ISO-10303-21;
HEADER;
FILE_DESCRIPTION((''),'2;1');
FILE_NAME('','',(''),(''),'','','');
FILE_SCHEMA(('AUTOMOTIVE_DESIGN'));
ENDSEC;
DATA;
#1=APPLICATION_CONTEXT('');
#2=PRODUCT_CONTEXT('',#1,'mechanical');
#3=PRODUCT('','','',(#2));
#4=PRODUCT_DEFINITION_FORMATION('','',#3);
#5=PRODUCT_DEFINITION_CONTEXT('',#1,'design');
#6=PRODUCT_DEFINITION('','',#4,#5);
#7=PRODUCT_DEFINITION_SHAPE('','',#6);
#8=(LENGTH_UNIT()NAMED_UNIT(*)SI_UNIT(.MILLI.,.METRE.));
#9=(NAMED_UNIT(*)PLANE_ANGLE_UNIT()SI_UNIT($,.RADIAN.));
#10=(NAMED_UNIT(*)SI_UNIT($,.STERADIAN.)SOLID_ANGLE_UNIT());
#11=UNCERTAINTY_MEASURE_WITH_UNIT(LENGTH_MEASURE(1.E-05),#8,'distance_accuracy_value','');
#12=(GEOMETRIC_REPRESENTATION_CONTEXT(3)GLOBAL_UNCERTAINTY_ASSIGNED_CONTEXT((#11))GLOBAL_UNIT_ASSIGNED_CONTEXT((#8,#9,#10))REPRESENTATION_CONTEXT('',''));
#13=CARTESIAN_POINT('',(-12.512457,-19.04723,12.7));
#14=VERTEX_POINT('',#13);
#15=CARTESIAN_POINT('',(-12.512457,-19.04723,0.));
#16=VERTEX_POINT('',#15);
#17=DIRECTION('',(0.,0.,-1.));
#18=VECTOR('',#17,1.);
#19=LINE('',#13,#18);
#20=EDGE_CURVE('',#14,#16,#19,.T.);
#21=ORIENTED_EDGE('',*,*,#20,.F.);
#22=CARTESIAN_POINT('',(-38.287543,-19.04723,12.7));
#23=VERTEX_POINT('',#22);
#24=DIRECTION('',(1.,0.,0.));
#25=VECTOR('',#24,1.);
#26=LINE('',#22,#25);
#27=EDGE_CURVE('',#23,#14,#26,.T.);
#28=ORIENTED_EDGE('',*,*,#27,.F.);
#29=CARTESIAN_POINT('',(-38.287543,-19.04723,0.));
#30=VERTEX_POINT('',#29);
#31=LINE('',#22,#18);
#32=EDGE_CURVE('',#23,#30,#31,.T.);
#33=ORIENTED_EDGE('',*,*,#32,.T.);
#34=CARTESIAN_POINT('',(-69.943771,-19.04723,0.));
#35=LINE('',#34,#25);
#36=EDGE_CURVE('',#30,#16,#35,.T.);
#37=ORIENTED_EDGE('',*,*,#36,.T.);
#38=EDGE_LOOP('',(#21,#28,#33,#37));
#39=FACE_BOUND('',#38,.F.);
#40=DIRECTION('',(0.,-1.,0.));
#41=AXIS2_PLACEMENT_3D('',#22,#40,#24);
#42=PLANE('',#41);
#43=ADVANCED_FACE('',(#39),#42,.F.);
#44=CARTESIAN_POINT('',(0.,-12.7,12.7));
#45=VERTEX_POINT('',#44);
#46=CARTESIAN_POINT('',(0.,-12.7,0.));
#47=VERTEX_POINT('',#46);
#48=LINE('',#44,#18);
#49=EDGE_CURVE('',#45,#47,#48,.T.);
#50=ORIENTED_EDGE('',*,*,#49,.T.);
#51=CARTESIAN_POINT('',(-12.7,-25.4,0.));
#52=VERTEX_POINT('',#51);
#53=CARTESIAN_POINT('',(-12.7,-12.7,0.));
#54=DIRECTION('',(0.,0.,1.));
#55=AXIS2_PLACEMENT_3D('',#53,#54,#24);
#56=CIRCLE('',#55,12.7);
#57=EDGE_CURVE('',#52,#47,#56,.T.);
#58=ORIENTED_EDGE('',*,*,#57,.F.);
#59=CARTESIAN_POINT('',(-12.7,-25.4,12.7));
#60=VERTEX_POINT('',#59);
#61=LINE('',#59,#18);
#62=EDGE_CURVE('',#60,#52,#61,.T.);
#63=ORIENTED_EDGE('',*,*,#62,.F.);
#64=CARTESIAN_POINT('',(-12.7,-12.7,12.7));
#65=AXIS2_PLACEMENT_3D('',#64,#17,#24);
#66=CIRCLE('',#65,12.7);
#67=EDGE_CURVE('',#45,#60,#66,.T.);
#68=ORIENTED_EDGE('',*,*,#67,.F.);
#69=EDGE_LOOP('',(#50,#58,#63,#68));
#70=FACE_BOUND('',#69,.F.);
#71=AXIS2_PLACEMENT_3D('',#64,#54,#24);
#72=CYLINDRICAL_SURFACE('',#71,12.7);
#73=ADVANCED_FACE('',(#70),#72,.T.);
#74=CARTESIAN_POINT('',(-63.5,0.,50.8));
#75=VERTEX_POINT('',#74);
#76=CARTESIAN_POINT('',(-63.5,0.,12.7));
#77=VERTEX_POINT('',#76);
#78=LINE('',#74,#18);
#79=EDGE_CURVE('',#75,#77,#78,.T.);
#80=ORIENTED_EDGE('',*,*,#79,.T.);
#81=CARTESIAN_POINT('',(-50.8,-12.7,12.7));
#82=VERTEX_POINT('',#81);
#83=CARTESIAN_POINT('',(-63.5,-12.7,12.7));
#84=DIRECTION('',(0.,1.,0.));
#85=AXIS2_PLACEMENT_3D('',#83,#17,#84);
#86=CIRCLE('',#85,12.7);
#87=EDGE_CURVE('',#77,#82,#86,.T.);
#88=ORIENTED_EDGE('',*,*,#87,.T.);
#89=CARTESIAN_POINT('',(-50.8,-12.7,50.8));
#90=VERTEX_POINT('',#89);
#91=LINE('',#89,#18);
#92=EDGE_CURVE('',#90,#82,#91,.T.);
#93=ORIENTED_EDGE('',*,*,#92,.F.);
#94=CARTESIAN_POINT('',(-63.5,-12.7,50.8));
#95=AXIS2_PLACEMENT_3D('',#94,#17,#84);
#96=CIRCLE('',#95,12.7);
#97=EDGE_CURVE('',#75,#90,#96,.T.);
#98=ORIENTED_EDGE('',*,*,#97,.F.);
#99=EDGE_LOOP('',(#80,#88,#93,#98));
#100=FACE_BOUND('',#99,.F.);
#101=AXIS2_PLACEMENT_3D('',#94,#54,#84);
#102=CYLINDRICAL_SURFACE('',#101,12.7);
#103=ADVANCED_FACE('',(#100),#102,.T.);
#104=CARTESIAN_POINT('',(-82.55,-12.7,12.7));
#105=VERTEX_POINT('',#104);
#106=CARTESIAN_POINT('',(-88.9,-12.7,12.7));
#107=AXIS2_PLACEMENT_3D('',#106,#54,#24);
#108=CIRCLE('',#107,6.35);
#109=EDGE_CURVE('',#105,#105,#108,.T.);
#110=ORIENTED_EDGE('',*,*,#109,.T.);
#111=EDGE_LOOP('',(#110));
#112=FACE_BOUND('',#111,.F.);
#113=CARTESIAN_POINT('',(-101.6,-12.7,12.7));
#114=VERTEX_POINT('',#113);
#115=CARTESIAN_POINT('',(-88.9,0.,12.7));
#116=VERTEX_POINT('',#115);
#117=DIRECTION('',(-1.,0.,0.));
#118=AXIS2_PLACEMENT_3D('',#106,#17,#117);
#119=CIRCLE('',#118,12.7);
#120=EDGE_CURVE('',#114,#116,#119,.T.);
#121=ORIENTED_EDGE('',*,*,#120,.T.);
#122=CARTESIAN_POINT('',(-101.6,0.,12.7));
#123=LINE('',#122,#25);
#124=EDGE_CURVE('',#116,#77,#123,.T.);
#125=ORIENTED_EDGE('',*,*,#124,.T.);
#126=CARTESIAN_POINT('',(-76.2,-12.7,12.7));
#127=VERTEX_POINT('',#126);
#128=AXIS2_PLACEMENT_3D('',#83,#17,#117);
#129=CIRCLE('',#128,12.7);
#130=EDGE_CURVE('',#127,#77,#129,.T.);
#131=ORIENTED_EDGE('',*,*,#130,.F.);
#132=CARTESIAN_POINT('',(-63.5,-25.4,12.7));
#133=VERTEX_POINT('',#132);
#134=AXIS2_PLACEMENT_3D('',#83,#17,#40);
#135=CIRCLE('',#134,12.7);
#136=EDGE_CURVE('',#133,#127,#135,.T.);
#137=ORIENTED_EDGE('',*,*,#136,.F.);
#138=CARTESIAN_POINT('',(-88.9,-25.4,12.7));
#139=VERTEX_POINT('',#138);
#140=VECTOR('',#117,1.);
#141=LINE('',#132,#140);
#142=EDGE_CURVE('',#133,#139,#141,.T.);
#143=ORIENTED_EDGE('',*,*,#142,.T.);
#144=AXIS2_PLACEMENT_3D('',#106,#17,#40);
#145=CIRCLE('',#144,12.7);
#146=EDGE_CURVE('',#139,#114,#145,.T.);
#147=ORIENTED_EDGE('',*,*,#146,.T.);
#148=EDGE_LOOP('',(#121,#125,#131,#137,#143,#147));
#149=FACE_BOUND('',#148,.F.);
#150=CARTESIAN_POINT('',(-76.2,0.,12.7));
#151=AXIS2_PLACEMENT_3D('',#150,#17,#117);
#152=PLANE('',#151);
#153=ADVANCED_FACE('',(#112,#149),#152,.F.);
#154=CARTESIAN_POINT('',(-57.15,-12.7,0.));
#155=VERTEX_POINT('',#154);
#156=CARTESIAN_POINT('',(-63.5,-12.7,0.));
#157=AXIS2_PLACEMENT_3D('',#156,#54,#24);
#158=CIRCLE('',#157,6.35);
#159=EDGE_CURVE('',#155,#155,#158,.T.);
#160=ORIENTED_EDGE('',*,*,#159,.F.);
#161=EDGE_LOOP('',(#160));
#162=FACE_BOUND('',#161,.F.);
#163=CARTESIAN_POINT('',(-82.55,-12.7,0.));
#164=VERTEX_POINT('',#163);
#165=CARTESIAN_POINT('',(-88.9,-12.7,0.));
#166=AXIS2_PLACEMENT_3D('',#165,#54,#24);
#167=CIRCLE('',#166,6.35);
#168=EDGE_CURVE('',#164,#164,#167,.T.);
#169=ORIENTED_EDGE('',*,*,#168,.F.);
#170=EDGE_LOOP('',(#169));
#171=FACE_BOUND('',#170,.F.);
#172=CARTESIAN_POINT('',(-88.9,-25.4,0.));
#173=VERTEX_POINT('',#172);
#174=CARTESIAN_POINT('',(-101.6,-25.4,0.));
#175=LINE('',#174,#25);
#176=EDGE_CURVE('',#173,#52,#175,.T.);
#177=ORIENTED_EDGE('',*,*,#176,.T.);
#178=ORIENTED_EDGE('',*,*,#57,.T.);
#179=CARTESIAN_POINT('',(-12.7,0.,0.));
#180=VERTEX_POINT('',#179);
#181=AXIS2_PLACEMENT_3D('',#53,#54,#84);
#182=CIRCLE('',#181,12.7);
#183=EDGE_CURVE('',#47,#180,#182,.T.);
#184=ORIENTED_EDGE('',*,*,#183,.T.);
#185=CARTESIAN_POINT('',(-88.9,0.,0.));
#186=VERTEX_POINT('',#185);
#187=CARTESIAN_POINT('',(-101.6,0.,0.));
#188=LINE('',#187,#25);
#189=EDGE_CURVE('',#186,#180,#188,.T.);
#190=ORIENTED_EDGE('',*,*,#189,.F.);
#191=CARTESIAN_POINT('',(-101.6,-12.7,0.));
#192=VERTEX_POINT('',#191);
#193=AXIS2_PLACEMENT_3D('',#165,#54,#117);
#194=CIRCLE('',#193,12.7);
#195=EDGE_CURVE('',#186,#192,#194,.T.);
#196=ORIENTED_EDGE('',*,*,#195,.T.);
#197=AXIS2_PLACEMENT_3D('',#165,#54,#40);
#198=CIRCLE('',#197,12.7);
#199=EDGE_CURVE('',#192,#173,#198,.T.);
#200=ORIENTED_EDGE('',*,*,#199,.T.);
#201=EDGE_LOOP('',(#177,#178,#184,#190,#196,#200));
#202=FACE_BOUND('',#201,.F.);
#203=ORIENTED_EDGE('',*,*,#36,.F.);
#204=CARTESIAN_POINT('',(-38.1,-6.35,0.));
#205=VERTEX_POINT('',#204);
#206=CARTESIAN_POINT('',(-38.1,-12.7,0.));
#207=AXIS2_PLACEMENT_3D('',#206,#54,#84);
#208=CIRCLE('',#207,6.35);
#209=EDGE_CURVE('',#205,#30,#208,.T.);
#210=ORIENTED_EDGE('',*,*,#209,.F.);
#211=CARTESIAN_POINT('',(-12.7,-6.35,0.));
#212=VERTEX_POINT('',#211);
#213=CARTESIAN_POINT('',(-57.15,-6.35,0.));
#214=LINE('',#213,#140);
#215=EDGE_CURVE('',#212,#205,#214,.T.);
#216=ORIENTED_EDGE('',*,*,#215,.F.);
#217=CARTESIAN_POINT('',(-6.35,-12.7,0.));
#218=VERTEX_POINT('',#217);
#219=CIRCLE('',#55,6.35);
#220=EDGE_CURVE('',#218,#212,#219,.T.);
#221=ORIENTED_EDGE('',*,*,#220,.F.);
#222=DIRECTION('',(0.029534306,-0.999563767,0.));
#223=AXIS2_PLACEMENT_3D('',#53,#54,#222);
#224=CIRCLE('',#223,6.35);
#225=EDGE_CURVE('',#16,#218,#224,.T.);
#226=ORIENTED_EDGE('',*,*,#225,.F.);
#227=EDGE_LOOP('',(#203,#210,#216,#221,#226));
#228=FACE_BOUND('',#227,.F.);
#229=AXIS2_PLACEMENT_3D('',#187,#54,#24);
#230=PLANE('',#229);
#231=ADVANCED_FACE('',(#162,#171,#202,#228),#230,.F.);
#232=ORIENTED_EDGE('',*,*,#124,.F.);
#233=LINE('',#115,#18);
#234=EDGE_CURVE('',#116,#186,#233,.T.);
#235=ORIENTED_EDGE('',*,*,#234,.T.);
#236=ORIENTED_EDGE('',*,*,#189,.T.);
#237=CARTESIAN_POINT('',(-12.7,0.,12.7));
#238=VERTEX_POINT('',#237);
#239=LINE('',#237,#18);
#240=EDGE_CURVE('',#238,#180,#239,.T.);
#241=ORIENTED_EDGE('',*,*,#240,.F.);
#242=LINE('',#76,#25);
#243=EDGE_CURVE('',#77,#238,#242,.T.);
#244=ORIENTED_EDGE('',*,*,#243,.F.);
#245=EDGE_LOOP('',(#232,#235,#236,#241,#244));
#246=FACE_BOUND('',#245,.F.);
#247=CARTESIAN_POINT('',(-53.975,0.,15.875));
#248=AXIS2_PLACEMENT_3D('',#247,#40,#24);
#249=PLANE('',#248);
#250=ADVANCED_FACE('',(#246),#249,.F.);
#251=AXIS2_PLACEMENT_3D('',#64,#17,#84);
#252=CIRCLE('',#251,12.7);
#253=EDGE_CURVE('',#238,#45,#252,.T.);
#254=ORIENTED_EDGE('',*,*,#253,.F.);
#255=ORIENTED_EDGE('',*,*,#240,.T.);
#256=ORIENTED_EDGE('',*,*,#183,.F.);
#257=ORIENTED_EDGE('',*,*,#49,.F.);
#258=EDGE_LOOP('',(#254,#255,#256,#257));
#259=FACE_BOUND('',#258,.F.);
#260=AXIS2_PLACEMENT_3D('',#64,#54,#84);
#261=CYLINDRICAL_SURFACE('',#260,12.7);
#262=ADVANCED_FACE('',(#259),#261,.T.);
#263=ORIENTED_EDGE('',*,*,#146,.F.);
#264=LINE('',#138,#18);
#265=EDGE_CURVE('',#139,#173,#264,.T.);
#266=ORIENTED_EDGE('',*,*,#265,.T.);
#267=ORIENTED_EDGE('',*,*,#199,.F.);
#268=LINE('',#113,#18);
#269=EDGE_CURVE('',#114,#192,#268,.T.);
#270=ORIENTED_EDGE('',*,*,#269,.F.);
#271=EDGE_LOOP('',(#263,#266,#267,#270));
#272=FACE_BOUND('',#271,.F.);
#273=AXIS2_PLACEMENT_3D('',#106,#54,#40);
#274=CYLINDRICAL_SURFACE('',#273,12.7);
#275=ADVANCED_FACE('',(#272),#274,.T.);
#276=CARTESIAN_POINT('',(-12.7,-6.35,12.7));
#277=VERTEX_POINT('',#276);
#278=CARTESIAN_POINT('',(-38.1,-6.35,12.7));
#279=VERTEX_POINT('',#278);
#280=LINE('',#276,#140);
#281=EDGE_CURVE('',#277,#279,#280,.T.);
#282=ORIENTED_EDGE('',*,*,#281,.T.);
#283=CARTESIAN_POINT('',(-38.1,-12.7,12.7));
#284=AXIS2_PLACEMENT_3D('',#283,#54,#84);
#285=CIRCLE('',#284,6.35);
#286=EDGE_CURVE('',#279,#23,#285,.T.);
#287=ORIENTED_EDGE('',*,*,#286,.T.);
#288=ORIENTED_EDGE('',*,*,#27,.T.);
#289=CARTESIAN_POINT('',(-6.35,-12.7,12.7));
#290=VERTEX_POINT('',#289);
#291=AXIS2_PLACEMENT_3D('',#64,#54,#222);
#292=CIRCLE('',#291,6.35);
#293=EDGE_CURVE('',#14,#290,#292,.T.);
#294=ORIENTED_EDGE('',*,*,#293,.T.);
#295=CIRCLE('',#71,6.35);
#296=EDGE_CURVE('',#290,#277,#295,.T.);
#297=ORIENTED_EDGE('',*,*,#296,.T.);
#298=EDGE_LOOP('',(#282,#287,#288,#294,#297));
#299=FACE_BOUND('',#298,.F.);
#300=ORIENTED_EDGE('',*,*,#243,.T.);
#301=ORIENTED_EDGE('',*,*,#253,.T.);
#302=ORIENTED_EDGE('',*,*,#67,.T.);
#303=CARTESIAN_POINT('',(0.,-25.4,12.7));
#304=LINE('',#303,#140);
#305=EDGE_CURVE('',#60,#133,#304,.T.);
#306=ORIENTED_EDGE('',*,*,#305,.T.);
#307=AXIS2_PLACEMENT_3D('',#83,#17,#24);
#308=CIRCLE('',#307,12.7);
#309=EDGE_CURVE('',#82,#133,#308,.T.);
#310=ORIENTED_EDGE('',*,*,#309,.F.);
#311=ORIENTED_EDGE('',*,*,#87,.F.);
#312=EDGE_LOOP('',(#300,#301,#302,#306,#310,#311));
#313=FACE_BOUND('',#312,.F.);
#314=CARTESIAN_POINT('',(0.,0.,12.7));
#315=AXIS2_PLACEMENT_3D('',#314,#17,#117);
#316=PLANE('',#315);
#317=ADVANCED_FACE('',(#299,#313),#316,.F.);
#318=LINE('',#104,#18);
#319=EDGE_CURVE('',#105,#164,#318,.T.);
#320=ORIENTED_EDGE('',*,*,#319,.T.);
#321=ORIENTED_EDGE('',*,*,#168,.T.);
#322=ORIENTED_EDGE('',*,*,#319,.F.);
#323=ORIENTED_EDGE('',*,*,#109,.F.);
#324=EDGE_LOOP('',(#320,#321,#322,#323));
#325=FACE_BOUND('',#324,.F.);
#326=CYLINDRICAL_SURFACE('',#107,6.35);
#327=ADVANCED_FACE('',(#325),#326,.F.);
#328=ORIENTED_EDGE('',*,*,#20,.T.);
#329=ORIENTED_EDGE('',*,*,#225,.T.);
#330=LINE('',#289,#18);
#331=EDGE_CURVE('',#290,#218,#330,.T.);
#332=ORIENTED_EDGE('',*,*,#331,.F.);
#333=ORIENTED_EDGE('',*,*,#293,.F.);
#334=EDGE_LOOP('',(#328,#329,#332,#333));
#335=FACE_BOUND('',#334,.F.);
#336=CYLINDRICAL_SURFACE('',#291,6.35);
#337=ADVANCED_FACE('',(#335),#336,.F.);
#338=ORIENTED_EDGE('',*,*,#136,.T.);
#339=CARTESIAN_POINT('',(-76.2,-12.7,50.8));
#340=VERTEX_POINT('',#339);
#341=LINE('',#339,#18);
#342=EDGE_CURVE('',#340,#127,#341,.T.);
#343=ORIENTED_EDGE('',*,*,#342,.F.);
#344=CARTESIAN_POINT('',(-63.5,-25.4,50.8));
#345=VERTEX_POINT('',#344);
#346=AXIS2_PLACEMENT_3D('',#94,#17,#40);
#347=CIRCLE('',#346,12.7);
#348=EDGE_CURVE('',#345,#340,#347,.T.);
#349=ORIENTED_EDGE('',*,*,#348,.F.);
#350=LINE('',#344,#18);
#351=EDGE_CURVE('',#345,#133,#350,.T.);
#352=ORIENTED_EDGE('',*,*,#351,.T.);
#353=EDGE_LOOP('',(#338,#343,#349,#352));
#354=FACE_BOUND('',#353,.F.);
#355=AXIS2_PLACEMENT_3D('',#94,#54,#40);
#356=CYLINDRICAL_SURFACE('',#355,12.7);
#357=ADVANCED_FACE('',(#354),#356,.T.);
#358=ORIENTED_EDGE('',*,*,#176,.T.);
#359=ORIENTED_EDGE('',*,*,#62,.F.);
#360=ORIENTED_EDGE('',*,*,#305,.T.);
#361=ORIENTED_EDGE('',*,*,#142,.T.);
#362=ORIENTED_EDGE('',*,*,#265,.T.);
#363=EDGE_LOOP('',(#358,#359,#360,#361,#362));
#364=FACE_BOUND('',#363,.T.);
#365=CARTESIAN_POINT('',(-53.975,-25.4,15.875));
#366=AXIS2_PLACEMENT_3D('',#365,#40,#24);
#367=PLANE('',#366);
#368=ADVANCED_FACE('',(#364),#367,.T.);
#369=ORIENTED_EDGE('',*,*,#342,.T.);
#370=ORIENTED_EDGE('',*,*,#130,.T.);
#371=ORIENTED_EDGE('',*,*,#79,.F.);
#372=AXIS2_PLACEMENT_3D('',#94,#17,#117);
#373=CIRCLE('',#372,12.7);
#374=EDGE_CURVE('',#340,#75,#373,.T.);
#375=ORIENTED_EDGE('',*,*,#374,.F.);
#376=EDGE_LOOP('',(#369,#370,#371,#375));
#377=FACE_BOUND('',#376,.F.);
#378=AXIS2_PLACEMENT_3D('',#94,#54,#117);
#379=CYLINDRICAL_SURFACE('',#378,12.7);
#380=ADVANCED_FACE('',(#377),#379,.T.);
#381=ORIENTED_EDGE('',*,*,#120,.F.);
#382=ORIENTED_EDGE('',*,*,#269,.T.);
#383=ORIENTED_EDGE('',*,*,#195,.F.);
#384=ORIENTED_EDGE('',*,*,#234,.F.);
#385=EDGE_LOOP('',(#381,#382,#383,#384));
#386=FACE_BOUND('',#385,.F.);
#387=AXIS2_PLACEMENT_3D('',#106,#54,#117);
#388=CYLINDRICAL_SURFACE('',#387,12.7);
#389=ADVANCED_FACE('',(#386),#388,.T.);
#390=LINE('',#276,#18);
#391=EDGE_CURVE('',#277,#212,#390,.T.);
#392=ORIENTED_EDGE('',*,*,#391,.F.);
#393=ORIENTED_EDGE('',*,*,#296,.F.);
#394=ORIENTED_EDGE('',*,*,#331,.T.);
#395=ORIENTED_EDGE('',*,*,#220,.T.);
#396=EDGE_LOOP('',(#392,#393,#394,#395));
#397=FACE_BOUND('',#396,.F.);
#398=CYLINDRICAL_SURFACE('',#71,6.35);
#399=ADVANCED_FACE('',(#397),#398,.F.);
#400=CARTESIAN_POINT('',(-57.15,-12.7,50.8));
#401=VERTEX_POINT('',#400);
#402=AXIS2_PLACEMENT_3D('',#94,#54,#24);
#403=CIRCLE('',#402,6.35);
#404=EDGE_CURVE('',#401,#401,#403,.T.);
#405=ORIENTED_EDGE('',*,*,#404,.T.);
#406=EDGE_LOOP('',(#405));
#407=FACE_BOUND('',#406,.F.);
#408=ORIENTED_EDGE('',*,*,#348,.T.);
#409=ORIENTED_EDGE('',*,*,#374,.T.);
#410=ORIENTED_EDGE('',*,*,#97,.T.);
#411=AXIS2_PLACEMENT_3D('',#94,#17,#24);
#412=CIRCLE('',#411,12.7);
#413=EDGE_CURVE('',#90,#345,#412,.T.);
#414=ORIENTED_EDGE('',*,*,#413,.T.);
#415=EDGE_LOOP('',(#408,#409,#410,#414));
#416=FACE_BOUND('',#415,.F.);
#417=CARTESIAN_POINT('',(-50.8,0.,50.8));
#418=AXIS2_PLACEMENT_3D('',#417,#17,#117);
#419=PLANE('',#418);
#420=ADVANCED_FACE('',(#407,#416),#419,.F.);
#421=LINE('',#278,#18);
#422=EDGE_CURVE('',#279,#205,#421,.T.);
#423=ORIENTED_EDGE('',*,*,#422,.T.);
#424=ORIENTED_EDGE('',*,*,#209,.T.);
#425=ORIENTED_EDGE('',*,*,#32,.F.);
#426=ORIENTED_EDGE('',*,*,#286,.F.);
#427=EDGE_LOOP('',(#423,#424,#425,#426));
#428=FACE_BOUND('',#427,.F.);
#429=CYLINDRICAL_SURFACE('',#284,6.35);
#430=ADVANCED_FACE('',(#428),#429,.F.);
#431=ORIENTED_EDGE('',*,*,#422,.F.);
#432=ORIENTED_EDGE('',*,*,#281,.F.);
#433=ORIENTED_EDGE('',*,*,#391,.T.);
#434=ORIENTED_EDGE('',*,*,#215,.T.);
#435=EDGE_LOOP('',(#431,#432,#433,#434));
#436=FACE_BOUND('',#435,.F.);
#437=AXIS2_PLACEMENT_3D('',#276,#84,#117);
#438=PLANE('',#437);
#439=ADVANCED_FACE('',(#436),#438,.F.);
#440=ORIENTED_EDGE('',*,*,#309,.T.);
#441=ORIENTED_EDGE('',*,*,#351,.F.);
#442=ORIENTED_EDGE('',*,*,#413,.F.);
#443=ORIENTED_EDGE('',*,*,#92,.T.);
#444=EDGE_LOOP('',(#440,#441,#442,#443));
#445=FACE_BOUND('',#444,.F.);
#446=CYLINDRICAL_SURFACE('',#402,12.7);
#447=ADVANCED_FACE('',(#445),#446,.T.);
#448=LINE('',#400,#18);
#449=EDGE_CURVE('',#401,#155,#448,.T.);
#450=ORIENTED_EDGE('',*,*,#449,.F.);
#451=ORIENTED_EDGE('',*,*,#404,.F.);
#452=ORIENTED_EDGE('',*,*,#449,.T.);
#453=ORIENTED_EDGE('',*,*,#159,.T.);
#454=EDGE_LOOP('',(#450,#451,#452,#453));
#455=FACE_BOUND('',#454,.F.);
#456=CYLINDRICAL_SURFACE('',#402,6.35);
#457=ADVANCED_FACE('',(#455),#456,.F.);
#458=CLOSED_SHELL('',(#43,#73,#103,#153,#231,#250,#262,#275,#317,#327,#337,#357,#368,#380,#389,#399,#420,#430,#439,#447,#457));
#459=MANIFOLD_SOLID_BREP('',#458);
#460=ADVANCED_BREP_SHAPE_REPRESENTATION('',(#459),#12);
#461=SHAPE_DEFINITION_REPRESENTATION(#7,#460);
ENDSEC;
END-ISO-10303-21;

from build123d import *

# Parameters (mm, degrees)
F1_DEPTH  = 25.4
F3_DEPTH  = 38.1
F4_R      = 6.35
F5_DEPTH  = 63.5
F6_R      = 6.35
F7_DEPTH  = 25.4
F9_DEPTH  = 25.4
F11_DEPTH = 25.4
F13_DEPTH = 25.4


with BuildPart() as f1:
    # F0 (on Front) → F1 (new body)
    with BuildSketch(Plane.XZ):
        Polygon((-101.6, 0), (0, 0), (0, 12.7), (-50.8, 12.7), (-50.8, 50.8), (-76.2, 50.8), (-76.2, 12.7), (-101.6, 12.7), align=None)
    extrude(amount=F1_DEPTH)

    # F2 (on face) → F3 (cut)
    with BuildSketch(Plane.XY.offset(50.8)):
        with BuildLine():
            ThreePointArc((-63.5, 0), (-54.5197438789, -3.7197438789), (-50.8, -12.7))
            Line((-50.8, -12.7), (-50.8, 0))
            Line((-50.8, 0), (-63.5, 0))
        make_face()
        with BuildLine():
            ThreePointArc((-76.2, -12.7), (-72.4802561211, -3.7197438789), (-63.5, 0))
            Line((-63.5, 0), (-76.2, 0))
            Line((-76.2, 0), (-76.2, -12.7))
        make_face()
        with BuildLine():
            Line((-76.2, -25.4), (-63.5, -25.4))
            ThreePointArc((-63.5, -25.4), (-72.4802561211, -21.6802561211), (-76.2, -12.7))
            Line((-76.2, -12.7), (-76.2, -25.4))
        make_face()
        with BuildLine():
            Line((-50.8, -25.4), (-50.8, -12.7))
            ThreePointArc((-50.8, -12.7), (-54.5197438789, -21.6802561211), (-63.5, -25.4))
            Line((-63.5, -25.4), (-50.8, -25.4))
        make_face()
    extrude(amount=-F3_DEPTH, mode=Mode.SUBTRACT)

    # F4 (on face) → F5 (cut)
    with BuildSketch(Plane.XY.offset(50.8)):
        with Locations((-63.5, -12.7)):
            Circle(F4_R)
    extrude(amount=-F5_DEPTH, mode=Mode.SUBTRACT)

    # F6 (on face) → F7 (cut)
    with BuildSketch(Plane.XY.offset(12.7)):
        with Locations((-88.9, -12.7)):
            Circle(F6_R)
    extrude(amount=-F7_DEPTH, mode=Mode.SUBTRACT)

    # F8 (on face) → F9 (cut)
    with BuildSketch(Plane.XY.offset(12.7)):
        with BuildLine():
            ThreePointArc((-101.6, -12.7), (-97.8802561211, -3.7197438789), (-88.9, 0))
            Line((-88.9, 0), (-101.6, 0))
            Line((-101.6, 0), (-101.6, -12.7))
        make_face()
        with BuildLine():
            Line((-101.6, -25.4), (-88.9, -25.4))
            ThreePointArc((-88.9, -25.4), (-97.8802561211, -21.6802561211), (-101.6, -12.7))
            Line((-101.6, -12.7), (-101.6, -25.4))
        make_face()
    extrude(amount=-F9_DEPTH, mode=Mode.SUBTRACT)

    # F10 (on face) → F11 (cut)
    with BuildSketch(Plane.XY.offset(12.7)):
        with BuildLine():
            ThreePointArc((-37.9124571555, -19.0472299219), (-33.5440480104, -17.1233247076), (-31.75, -12.7))
            ThreePointArc((-31.75, -12.7), (-33.6098719395, -8.2098719395), (-38.1, -6.35))
            ThreePointArc((-38.1, -6.35), (-44.4493074427, -12.6062183495), (-38.2875428445, -19.0472299219))
            Line((-38.2875428445, -19.0472299219), (-37.9124571555, -19.0472299219))
        make_face()
        with BuildLine():
            ThreePointArc((-38.1, -6.35), (-33.6098719395, -8.2098719395), (-31.75, -12.7))
            ThreePointArc((-31.75, -12.7), (-33.5440480104, -17.1233247076), (-37.9124571555, -19.0472299219))
            Line((-37.9124571555, -19.0472299219), (-12.8875428445, -19.0472299219))
            ThreePointArc((-12.8875428445, -19.0472299219), (-19.0493074427, -12.6062183495), (-12.7, -6.35))
            Line((-12.7, -6.35), (-38.1, -6.35))
        make_face()
        with BuildLine():
            ThreePointArc((-6.35, -12.7), (-8.2098719395, -8.2098719395), (-12.7, -6.35))
            ThreePointArc((-12.7, -6.35), (-19.0493074427, -12.6062183495), (-12.8875428445, -19.0472299219))
            Line((-12.8875428445, -19.0472299219), (-12.5124571555, -19.0472299219))
            ThreePointArc((-12.5124571555, -19.0472299219), (-8.1440480104, -17.1233247076), (-6.35, -12.7))
        make_face()
    extrude(amount=-F11_DEPTH, mode=Mode.SUBTRACT)

    # F12 (on face) → F13 (cut)
    with BuildSketch(Plane.XY.offset(12.7)):
        with BuildLine():
            ThreePointArc((-12.7, 0), (-3.7197438789, -3.7197438789), (0, -12.7))
            Line((0, -12.7), (0, 0))
            Line((0, 0), (-12.7, 0))
        make_face()
        with BuildLine():
            Line((0, -25.4), (0, -12.7))
            ThreePointArc((0, -12.7), (-3.7197438896, -21.6802561317), (-12.7000000301, -25.4))
            Line((-12.7000000301, -25.4), (0, -25.4))
        make_face()
    extrude(amount=-F13_DEPTH, mode=Mode.SUBTRACT)


solid = f1.part
